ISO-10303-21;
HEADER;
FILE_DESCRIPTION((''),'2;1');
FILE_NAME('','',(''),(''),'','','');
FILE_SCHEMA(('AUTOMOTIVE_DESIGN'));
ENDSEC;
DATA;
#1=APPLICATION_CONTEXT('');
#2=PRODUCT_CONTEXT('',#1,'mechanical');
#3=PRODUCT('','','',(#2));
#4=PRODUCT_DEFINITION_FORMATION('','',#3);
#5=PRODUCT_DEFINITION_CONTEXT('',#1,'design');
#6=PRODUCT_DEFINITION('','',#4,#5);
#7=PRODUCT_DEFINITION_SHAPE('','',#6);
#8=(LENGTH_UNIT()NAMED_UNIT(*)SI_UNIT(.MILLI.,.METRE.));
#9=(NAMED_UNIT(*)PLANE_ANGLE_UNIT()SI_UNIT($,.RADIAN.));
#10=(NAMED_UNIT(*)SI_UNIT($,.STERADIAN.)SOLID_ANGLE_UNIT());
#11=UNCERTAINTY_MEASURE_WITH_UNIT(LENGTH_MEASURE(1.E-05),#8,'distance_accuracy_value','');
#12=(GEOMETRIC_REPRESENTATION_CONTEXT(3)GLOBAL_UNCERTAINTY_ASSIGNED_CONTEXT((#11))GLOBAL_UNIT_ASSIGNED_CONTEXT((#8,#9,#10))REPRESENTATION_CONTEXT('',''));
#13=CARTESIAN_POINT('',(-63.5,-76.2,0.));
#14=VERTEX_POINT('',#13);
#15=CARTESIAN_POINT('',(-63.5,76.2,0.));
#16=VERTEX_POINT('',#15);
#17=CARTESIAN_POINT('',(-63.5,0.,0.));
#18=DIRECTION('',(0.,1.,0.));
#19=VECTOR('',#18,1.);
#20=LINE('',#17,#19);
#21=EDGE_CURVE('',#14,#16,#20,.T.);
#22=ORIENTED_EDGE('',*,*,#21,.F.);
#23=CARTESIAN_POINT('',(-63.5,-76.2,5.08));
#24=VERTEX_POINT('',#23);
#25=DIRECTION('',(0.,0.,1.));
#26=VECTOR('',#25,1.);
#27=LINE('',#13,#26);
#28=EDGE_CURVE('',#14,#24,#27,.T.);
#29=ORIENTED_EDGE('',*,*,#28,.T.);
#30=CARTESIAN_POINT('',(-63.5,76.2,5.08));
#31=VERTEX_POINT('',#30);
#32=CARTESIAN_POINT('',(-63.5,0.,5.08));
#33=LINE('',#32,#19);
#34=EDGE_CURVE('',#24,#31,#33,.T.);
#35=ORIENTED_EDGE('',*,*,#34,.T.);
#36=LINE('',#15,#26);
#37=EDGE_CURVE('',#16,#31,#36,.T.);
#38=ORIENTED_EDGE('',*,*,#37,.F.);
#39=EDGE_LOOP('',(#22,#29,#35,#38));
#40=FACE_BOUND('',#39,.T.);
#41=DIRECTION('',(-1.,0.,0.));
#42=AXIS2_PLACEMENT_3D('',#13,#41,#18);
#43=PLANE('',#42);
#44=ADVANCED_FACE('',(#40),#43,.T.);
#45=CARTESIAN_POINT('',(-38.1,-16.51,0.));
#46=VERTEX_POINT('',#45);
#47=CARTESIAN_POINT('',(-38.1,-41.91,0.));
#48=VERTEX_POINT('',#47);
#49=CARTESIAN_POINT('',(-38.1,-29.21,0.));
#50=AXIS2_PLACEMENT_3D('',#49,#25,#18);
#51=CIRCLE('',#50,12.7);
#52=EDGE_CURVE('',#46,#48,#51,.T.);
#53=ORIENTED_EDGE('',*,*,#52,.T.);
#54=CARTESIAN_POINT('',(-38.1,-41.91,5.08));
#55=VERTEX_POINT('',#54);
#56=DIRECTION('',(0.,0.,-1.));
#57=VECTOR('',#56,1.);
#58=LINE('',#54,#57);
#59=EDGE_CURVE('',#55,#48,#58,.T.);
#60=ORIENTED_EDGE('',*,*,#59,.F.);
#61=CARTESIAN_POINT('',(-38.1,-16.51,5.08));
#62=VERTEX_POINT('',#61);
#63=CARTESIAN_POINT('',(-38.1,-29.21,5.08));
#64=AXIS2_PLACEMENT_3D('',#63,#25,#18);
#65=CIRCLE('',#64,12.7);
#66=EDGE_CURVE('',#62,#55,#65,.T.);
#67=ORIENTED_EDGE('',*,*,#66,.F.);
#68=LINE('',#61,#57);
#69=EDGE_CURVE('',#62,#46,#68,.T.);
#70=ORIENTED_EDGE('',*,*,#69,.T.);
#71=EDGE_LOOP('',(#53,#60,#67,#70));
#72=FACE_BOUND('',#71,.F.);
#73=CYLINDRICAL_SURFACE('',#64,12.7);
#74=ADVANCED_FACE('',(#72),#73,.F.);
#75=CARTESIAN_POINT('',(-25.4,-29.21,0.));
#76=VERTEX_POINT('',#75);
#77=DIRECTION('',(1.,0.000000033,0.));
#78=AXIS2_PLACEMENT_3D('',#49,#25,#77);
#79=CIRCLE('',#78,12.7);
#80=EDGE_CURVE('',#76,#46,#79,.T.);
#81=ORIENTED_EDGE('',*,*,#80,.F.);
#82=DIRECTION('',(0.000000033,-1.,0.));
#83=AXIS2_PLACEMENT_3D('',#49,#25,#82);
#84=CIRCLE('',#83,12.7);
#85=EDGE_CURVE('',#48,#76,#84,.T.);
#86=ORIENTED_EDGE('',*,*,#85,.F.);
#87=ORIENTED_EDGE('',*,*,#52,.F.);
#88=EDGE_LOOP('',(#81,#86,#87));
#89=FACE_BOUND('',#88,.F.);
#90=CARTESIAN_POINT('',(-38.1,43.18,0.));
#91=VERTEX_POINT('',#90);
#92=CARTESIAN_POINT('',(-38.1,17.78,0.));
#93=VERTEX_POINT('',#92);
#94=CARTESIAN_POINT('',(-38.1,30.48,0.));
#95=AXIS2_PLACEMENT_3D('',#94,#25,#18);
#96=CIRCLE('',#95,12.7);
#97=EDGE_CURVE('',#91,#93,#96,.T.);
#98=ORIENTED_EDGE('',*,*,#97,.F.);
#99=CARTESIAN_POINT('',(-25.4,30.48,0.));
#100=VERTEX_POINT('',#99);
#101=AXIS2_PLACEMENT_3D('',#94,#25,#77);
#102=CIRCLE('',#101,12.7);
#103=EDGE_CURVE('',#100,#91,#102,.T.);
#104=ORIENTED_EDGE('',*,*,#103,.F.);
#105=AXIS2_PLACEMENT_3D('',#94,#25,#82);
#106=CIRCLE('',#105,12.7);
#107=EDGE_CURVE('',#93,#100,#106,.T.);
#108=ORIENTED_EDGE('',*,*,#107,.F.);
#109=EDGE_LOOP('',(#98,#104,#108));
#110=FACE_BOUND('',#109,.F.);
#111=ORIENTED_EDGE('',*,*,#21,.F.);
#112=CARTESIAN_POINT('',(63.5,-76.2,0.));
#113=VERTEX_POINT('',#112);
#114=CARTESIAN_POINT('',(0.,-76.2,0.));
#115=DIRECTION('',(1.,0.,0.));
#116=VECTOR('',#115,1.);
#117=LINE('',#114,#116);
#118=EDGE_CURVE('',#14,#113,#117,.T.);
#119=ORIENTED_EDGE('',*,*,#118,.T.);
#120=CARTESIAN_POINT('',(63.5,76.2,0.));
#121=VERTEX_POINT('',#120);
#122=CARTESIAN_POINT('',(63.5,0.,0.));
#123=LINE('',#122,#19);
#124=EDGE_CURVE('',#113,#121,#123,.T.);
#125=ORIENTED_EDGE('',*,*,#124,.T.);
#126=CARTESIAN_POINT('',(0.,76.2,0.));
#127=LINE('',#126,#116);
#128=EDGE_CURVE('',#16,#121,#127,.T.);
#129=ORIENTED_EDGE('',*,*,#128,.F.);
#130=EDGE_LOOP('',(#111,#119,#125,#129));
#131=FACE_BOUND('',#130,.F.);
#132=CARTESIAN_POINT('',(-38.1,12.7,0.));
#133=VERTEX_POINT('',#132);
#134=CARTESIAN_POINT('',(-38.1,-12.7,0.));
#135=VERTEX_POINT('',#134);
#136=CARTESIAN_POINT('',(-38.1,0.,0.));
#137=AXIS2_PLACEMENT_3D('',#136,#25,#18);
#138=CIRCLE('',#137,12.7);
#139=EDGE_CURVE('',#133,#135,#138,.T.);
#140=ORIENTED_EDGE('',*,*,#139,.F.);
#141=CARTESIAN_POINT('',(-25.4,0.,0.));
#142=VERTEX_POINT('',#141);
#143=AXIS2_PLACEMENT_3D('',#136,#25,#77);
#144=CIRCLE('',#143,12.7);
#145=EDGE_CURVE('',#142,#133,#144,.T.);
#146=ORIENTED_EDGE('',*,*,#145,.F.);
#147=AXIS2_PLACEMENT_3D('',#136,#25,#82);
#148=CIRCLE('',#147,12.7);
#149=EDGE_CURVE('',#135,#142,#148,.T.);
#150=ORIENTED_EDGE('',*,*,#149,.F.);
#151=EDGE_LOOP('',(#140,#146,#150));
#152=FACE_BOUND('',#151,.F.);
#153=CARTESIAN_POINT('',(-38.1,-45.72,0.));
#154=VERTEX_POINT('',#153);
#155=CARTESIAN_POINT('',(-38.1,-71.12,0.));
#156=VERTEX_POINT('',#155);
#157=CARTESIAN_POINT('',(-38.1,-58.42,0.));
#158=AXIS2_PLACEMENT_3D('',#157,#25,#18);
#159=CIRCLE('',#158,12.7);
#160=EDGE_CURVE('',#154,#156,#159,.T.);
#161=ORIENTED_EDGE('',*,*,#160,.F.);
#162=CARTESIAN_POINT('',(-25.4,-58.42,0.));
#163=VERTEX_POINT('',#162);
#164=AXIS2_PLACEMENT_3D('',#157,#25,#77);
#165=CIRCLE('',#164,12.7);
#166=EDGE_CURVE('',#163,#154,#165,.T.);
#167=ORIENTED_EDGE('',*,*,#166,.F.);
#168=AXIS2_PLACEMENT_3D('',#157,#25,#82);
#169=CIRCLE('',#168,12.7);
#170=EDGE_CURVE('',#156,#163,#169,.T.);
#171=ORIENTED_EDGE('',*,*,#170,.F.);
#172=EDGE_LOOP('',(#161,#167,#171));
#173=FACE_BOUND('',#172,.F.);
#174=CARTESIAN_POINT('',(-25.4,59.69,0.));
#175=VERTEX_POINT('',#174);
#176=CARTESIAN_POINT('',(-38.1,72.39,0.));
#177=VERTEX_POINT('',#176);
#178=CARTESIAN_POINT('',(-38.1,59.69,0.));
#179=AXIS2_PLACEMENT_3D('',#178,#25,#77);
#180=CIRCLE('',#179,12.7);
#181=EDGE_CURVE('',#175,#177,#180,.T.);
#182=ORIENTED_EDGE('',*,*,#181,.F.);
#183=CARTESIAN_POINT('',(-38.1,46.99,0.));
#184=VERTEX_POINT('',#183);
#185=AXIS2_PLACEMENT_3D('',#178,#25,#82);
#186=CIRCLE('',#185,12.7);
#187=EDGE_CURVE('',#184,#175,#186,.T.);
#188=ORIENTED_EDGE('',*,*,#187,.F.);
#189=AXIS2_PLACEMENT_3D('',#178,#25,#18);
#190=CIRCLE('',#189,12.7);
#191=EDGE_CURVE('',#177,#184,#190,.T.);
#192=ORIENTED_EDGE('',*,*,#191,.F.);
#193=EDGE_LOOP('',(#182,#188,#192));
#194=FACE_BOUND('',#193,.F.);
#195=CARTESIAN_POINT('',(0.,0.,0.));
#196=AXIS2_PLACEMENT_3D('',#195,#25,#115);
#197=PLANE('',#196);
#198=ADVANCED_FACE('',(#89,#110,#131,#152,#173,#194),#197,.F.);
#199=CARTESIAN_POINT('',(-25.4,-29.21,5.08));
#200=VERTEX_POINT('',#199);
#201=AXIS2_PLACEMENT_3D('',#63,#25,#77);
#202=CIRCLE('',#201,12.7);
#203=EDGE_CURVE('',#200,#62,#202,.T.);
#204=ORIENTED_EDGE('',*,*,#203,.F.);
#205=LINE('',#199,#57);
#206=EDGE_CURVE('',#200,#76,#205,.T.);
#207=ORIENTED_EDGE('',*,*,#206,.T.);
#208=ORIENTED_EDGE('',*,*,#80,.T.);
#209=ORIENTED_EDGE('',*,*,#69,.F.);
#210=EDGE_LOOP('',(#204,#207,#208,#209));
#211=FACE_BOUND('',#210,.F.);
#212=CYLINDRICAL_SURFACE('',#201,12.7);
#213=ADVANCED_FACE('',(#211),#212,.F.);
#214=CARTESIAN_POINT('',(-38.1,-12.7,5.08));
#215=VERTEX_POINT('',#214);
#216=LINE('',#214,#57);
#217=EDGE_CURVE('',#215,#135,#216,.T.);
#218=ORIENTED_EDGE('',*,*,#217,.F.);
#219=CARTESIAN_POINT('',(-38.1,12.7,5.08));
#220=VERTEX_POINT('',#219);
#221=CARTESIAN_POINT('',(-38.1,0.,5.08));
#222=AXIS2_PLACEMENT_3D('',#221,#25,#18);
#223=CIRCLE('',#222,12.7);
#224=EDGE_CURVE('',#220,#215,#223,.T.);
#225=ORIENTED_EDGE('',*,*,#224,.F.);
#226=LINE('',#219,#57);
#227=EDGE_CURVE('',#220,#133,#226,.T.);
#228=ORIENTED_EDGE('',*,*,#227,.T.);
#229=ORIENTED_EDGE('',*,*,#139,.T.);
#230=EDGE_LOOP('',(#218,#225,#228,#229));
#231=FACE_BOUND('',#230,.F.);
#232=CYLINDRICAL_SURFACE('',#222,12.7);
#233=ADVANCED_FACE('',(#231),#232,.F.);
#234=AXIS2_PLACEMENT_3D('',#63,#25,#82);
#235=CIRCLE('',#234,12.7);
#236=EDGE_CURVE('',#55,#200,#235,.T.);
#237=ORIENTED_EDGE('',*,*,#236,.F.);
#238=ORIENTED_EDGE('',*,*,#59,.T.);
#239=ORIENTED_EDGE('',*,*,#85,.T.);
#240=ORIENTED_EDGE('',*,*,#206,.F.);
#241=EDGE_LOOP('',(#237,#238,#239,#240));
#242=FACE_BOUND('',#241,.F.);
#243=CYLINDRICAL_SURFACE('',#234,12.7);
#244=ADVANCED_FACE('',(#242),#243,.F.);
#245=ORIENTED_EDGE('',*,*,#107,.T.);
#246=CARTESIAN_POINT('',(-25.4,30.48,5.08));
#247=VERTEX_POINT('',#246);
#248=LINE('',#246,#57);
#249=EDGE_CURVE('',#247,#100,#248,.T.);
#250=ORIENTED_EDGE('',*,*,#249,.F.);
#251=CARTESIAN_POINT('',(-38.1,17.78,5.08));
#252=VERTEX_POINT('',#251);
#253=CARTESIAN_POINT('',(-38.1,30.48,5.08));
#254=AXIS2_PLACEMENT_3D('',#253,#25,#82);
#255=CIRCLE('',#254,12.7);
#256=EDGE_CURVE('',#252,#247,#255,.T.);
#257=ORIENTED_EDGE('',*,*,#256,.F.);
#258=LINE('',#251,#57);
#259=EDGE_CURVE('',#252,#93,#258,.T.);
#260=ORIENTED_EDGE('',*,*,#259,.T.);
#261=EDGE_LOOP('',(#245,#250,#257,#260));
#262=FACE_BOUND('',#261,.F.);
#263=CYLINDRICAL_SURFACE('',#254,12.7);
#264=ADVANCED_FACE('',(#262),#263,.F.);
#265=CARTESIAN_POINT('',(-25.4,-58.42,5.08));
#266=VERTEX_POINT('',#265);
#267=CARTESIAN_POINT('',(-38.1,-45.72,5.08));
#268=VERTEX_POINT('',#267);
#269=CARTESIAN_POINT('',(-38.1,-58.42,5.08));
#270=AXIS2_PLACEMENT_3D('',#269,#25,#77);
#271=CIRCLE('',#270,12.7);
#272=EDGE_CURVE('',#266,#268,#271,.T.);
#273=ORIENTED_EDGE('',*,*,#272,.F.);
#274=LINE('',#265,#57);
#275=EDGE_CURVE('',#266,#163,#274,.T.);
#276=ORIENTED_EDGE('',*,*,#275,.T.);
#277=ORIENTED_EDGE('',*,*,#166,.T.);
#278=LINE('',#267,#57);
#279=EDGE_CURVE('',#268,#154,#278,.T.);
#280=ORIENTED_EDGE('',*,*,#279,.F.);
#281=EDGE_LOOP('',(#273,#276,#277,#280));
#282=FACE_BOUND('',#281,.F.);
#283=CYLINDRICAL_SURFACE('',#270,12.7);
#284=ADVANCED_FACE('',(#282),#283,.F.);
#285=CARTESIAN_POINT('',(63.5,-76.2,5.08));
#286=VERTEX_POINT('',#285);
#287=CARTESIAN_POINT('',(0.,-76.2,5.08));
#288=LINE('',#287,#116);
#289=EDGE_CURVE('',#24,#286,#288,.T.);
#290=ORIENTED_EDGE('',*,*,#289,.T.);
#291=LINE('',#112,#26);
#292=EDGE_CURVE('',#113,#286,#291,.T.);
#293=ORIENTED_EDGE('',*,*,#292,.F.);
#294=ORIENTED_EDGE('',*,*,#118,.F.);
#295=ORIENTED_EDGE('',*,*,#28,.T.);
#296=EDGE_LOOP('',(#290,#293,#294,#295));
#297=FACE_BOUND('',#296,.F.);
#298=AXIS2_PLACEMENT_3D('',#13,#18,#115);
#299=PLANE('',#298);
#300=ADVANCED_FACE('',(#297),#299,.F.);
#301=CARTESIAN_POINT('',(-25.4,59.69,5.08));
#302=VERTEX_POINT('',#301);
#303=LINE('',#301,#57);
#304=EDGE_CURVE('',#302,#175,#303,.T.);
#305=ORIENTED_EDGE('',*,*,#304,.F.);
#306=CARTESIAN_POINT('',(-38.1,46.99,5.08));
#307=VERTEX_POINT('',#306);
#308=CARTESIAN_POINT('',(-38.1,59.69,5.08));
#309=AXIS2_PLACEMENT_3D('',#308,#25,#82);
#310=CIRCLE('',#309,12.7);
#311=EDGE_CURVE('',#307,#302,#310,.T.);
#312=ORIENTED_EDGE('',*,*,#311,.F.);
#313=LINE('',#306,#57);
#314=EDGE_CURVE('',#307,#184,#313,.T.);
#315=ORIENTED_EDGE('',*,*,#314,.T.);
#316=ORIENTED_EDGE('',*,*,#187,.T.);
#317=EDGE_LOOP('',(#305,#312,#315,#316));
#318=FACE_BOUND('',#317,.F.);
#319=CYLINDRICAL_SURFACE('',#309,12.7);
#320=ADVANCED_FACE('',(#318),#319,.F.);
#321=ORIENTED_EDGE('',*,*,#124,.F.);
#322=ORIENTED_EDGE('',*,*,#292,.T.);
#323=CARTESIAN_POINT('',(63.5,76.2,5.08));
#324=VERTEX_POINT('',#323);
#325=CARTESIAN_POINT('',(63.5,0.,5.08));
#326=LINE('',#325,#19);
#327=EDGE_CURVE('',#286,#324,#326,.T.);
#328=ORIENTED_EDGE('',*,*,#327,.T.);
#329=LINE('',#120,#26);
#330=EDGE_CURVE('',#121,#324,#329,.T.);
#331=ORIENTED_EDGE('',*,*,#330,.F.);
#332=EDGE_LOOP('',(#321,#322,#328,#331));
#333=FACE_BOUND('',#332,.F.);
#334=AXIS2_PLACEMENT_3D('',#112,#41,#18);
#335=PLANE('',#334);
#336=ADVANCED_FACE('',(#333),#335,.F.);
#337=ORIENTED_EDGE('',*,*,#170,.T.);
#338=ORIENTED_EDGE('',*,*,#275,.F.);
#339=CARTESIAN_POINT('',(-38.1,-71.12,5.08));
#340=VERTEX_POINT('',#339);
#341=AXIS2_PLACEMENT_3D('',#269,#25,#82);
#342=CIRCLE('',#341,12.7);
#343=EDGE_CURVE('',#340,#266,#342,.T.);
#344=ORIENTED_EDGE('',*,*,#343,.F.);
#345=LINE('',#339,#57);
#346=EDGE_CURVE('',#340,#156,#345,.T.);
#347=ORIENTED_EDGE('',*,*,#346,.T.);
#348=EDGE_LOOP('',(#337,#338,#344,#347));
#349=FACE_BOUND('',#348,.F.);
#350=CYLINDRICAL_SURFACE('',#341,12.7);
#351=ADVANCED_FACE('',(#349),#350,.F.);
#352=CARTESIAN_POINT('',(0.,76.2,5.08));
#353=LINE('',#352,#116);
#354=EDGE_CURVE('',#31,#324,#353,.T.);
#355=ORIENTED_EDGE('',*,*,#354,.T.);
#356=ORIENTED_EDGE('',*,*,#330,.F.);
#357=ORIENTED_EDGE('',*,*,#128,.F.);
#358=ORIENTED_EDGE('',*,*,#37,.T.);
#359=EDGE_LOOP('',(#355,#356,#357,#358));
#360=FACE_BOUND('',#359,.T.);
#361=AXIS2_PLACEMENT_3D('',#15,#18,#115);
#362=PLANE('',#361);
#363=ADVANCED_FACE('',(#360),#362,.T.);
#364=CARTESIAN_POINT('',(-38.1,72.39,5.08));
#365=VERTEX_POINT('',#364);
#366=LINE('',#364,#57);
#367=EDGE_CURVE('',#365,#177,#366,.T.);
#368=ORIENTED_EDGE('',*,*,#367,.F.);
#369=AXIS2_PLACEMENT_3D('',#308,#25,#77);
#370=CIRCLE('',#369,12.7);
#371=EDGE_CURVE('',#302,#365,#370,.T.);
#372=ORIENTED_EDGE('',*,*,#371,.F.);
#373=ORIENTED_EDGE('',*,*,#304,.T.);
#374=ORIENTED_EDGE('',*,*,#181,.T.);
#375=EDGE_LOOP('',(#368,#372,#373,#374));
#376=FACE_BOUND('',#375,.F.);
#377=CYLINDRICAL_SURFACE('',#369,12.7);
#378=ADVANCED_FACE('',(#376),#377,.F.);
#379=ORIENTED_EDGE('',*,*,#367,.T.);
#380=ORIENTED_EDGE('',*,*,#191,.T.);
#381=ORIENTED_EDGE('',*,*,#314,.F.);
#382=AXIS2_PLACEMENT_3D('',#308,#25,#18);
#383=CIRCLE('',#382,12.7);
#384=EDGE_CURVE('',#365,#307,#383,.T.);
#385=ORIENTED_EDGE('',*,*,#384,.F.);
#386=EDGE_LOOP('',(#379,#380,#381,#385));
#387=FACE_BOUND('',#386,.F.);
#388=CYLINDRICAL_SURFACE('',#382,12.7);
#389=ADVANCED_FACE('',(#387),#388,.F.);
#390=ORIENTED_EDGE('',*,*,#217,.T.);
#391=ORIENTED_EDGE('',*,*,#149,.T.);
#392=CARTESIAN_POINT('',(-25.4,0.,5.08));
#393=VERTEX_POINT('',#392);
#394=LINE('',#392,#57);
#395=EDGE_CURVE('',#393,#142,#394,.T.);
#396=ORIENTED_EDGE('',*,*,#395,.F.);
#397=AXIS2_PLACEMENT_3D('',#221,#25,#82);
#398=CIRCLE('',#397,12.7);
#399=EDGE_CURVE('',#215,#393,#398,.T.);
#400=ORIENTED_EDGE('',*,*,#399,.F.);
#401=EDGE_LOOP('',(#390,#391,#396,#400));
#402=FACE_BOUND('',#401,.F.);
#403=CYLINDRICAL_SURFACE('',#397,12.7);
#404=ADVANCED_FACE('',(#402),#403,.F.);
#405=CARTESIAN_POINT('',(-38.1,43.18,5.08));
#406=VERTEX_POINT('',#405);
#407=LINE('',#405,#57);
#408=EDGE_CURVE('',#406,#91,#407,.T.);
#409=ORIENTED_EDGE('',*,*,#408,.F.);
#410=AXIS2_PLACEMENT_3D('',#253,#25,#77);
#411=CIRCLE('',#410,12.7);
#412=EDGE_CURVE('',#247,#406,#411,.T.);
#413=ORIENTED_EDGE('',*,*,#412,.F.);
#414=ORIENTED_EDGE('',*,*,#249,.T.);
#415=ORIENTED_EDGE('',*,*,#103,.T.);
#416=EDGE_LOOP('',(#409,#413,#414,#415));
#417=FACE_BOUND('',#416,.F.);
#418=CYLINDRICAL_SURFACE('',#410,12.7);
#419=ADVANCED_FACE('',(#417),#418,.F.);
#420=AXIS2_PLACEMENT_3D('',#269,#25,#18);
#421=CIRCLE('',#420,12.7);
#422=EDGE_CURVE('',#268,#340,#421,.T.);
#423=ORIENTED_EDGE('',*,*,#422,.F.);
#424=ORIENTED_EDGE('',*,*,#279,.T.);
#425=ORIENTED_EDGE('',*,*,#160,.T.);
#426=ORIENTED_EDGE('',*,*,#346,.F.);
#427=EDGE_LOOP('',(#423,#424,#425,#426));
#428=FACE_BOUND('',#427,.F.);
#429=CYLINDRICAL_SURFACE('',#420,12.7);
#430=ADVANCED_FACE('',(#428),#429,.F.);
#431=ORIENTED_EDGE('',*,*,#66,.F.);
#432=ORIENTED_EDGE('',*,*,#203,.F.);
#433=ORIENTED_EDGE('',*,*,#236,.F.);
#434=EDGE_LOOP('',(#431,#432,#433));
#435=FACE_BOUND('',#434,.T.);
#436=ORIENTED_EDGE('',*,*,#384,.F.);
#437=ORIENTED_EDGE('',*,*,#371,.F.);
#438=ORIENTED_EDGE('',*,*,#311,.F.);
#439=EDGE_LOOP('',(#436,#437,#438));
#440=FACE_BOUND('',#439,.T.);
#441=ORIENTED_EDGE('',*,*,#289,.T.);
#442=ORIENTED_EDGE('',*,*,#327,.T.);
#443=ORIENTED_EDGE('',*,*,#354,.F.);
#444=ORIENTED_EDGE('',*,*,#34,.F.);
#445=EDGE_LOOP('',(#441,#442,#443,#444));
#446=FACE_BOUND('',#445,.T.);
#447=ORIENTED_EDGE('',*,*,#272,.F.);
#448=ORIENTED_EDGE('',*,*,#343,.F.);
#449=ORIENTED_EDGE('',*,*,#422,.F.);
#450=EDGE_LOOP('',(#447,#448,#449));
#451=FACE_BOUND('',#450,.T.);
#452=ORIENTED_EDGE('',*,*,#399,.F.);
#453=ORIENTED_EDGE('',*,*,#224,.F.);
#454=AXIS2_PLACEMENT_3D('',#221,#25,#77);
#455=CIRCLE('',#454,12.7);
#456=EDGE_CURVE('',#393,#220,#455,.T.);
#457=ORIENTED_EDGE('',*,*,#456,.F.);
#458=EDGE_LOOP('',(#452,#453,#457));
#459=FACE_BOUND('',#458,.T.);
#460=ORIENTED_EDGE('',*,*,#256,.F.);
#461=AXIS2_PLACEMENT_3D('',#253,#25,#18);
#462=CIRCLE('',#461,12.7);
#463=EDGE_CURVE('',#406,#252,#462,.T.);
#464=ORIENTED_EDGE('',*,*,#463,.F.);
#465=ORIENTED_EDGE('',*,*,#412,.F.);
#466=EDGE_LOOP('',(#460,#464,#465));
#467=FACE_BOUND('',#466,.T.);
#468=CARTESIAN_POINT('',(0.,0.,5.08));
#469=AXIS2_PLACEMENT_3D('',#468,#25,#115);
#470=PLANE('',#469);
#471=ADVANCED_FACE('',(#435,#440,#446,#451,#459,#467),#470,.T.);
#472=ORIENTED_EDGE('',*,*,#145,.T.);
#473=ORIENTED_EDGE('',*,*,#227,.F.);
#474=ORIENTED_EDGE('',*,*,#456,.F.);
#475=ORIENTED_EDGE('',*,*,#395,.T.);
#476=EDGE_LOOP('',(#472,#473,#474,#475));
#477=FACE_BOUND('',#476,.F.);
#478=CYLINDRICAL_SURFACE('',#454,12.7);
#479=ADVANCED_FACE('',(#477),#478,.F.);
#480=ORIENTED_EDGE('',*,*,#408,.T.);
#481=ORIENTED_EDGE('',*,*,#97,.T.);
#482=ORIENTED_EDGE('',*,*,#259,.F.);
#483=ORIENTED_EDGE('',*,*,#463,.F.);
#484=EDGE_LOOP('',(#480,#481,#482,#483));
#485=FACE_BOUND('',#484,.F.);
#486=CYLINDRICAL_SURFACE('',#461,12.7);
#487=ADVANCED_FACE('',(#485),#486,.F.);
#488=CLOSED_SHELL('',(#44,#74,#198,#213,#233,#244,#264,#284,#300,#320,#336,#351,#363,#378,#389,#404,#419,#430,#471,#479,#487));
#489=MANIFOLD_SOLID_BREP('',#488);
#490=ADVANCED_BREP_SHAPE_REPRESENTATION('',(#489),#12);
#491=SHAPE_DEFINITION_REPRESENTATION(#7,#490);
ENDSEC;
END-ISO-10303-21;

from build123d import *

# Parameters (mm, degrees)
F0_W     = 127
F0_H     = 152.4
F1_DEPTH = 5.08
F3_DEPTH = 7.62


with BuildPart() as f1:
    # F0 (on Top) → F1 (new body)
    with BuildSketch(Plane.XY):
        Rectangle(F0_W, F0_H)
    extrude(amount=F1_DEPTH)

    # F2 (on face) → F3 (cut)
    with BuildSketch(Plane.XY.offset(5.08)):
        with BuildLine():
            ThreePointArc((-38.1, -45.72), (-50.8, -58.42), (-38.1, -71.12))
            Line((-38.1, -71.12), (-38.1, -58.42))
            Line((-38.1, -58.42), (-38.1, -45.72))
        make_face()
        with BuildLine():
            Line((-38.1, -58.42), (-38.1, -71.12))
            ThreePointArc((-38.1, -71.12), (-29.119744, -67.400256), (-25.4, -58.42))
            ThreePointArc((-25.4, -58.42), (-29.119744, -49.439744), (-38.1, -45.72))
            Line((-38.1, -45.72), (-38.1, -58.42))
        make_face()
        with BuildLine():
            Line((-38.1, -29.21), (-38.1, -41.91))
            ThreePointArc((-38.1, -41.91), (-29.119744, -38.190256), (-25.4, -29.21))
            ThreePointArc((-25.4, -29.21), (-29.119744, -20.229744), (-38.1, -16.51))
            Line((-38.1, -16.51), (-38.1, -29.21))
        make_face()
        with BuildLine():
            ThreePointArc((-38.1, -16.51), (-50.8, -29.21), (-38.1, -41.91))
            Line((-38.1, -41.91), (-38.1, -29.21))
            Line((-38.1, -29.21), (-38.1, -16.51))
        make_face()
        with BuildLine():
            ThreePointArc((-38.1, 12.7), (-50.8, 0), (-38.1, -12.7))
            Line((-38.1, -12.7), (-38.1, 0))
            Line((-38.1, 0), (-38.1, 12.7))
        make_face()
        with BuildLine():
            Line((-38.1, 0), (-38.1, -12.7))
            ThreePointArc((-38.1, -12.7), (-29.119744, -8.980256), (-25.4, 0))
            ThreePointArc((-25.4, 0), (-29.119744, 8.980256), (-38.1, 12.7))
            Line((-38.1, 12.7), (-38.1, 0))
        make_face()
        with BuildLine():
            Line((-38.1, 30.48), (-38.1, 43.18))
            ThreePointArc((-38.1, 43.18), (-50.8, 30.48), (-38.1, 17.78))
            Line((-38.1, 17.78), (-38.1, 30.48))
        make_face()
        with BuildLine():
            ThreePointArc((-25.4, 30.48), (-29.119744, 39.460256), (-38.1, 43.18))
            Line((-38.1, 43.18), (-38.1, 30.48))
            Line((-38.1, 30.48), (-38.1, 17.78))
            ThreePointArc((-38.1, 17.78), (-29.119744, 21.499744), (-25.4, 30.48))
        make_face()
        with BuildLine():
            Line((-38.1, 59.69), (-38.1, 72.39))
            ThreePointArc((-38.1, 72.39), (-50.8, 59.69), (-38.1, 46.99))
            Line((-38.1, 46.99), (-38.1, 59.69))
        make_face()
        with BuildLine():
            ThreePointArc((-25.4, 59.69), (-29.119744, 68.670256), (-38.1, 72.39))
            Line((-38.1, 72.39), (-38.1, 59.69))
            Line((-38.1, 59.69), (-38.1, 46.99))
            ThreePointArc((-38.1, 46.99), (-29.119744, 50.709744), (-25.4, 59.69))
        make_face()
    extrude(amount=-F3_DEPTH, mode=Mode.SUBTRACT)


solid = f1.part
